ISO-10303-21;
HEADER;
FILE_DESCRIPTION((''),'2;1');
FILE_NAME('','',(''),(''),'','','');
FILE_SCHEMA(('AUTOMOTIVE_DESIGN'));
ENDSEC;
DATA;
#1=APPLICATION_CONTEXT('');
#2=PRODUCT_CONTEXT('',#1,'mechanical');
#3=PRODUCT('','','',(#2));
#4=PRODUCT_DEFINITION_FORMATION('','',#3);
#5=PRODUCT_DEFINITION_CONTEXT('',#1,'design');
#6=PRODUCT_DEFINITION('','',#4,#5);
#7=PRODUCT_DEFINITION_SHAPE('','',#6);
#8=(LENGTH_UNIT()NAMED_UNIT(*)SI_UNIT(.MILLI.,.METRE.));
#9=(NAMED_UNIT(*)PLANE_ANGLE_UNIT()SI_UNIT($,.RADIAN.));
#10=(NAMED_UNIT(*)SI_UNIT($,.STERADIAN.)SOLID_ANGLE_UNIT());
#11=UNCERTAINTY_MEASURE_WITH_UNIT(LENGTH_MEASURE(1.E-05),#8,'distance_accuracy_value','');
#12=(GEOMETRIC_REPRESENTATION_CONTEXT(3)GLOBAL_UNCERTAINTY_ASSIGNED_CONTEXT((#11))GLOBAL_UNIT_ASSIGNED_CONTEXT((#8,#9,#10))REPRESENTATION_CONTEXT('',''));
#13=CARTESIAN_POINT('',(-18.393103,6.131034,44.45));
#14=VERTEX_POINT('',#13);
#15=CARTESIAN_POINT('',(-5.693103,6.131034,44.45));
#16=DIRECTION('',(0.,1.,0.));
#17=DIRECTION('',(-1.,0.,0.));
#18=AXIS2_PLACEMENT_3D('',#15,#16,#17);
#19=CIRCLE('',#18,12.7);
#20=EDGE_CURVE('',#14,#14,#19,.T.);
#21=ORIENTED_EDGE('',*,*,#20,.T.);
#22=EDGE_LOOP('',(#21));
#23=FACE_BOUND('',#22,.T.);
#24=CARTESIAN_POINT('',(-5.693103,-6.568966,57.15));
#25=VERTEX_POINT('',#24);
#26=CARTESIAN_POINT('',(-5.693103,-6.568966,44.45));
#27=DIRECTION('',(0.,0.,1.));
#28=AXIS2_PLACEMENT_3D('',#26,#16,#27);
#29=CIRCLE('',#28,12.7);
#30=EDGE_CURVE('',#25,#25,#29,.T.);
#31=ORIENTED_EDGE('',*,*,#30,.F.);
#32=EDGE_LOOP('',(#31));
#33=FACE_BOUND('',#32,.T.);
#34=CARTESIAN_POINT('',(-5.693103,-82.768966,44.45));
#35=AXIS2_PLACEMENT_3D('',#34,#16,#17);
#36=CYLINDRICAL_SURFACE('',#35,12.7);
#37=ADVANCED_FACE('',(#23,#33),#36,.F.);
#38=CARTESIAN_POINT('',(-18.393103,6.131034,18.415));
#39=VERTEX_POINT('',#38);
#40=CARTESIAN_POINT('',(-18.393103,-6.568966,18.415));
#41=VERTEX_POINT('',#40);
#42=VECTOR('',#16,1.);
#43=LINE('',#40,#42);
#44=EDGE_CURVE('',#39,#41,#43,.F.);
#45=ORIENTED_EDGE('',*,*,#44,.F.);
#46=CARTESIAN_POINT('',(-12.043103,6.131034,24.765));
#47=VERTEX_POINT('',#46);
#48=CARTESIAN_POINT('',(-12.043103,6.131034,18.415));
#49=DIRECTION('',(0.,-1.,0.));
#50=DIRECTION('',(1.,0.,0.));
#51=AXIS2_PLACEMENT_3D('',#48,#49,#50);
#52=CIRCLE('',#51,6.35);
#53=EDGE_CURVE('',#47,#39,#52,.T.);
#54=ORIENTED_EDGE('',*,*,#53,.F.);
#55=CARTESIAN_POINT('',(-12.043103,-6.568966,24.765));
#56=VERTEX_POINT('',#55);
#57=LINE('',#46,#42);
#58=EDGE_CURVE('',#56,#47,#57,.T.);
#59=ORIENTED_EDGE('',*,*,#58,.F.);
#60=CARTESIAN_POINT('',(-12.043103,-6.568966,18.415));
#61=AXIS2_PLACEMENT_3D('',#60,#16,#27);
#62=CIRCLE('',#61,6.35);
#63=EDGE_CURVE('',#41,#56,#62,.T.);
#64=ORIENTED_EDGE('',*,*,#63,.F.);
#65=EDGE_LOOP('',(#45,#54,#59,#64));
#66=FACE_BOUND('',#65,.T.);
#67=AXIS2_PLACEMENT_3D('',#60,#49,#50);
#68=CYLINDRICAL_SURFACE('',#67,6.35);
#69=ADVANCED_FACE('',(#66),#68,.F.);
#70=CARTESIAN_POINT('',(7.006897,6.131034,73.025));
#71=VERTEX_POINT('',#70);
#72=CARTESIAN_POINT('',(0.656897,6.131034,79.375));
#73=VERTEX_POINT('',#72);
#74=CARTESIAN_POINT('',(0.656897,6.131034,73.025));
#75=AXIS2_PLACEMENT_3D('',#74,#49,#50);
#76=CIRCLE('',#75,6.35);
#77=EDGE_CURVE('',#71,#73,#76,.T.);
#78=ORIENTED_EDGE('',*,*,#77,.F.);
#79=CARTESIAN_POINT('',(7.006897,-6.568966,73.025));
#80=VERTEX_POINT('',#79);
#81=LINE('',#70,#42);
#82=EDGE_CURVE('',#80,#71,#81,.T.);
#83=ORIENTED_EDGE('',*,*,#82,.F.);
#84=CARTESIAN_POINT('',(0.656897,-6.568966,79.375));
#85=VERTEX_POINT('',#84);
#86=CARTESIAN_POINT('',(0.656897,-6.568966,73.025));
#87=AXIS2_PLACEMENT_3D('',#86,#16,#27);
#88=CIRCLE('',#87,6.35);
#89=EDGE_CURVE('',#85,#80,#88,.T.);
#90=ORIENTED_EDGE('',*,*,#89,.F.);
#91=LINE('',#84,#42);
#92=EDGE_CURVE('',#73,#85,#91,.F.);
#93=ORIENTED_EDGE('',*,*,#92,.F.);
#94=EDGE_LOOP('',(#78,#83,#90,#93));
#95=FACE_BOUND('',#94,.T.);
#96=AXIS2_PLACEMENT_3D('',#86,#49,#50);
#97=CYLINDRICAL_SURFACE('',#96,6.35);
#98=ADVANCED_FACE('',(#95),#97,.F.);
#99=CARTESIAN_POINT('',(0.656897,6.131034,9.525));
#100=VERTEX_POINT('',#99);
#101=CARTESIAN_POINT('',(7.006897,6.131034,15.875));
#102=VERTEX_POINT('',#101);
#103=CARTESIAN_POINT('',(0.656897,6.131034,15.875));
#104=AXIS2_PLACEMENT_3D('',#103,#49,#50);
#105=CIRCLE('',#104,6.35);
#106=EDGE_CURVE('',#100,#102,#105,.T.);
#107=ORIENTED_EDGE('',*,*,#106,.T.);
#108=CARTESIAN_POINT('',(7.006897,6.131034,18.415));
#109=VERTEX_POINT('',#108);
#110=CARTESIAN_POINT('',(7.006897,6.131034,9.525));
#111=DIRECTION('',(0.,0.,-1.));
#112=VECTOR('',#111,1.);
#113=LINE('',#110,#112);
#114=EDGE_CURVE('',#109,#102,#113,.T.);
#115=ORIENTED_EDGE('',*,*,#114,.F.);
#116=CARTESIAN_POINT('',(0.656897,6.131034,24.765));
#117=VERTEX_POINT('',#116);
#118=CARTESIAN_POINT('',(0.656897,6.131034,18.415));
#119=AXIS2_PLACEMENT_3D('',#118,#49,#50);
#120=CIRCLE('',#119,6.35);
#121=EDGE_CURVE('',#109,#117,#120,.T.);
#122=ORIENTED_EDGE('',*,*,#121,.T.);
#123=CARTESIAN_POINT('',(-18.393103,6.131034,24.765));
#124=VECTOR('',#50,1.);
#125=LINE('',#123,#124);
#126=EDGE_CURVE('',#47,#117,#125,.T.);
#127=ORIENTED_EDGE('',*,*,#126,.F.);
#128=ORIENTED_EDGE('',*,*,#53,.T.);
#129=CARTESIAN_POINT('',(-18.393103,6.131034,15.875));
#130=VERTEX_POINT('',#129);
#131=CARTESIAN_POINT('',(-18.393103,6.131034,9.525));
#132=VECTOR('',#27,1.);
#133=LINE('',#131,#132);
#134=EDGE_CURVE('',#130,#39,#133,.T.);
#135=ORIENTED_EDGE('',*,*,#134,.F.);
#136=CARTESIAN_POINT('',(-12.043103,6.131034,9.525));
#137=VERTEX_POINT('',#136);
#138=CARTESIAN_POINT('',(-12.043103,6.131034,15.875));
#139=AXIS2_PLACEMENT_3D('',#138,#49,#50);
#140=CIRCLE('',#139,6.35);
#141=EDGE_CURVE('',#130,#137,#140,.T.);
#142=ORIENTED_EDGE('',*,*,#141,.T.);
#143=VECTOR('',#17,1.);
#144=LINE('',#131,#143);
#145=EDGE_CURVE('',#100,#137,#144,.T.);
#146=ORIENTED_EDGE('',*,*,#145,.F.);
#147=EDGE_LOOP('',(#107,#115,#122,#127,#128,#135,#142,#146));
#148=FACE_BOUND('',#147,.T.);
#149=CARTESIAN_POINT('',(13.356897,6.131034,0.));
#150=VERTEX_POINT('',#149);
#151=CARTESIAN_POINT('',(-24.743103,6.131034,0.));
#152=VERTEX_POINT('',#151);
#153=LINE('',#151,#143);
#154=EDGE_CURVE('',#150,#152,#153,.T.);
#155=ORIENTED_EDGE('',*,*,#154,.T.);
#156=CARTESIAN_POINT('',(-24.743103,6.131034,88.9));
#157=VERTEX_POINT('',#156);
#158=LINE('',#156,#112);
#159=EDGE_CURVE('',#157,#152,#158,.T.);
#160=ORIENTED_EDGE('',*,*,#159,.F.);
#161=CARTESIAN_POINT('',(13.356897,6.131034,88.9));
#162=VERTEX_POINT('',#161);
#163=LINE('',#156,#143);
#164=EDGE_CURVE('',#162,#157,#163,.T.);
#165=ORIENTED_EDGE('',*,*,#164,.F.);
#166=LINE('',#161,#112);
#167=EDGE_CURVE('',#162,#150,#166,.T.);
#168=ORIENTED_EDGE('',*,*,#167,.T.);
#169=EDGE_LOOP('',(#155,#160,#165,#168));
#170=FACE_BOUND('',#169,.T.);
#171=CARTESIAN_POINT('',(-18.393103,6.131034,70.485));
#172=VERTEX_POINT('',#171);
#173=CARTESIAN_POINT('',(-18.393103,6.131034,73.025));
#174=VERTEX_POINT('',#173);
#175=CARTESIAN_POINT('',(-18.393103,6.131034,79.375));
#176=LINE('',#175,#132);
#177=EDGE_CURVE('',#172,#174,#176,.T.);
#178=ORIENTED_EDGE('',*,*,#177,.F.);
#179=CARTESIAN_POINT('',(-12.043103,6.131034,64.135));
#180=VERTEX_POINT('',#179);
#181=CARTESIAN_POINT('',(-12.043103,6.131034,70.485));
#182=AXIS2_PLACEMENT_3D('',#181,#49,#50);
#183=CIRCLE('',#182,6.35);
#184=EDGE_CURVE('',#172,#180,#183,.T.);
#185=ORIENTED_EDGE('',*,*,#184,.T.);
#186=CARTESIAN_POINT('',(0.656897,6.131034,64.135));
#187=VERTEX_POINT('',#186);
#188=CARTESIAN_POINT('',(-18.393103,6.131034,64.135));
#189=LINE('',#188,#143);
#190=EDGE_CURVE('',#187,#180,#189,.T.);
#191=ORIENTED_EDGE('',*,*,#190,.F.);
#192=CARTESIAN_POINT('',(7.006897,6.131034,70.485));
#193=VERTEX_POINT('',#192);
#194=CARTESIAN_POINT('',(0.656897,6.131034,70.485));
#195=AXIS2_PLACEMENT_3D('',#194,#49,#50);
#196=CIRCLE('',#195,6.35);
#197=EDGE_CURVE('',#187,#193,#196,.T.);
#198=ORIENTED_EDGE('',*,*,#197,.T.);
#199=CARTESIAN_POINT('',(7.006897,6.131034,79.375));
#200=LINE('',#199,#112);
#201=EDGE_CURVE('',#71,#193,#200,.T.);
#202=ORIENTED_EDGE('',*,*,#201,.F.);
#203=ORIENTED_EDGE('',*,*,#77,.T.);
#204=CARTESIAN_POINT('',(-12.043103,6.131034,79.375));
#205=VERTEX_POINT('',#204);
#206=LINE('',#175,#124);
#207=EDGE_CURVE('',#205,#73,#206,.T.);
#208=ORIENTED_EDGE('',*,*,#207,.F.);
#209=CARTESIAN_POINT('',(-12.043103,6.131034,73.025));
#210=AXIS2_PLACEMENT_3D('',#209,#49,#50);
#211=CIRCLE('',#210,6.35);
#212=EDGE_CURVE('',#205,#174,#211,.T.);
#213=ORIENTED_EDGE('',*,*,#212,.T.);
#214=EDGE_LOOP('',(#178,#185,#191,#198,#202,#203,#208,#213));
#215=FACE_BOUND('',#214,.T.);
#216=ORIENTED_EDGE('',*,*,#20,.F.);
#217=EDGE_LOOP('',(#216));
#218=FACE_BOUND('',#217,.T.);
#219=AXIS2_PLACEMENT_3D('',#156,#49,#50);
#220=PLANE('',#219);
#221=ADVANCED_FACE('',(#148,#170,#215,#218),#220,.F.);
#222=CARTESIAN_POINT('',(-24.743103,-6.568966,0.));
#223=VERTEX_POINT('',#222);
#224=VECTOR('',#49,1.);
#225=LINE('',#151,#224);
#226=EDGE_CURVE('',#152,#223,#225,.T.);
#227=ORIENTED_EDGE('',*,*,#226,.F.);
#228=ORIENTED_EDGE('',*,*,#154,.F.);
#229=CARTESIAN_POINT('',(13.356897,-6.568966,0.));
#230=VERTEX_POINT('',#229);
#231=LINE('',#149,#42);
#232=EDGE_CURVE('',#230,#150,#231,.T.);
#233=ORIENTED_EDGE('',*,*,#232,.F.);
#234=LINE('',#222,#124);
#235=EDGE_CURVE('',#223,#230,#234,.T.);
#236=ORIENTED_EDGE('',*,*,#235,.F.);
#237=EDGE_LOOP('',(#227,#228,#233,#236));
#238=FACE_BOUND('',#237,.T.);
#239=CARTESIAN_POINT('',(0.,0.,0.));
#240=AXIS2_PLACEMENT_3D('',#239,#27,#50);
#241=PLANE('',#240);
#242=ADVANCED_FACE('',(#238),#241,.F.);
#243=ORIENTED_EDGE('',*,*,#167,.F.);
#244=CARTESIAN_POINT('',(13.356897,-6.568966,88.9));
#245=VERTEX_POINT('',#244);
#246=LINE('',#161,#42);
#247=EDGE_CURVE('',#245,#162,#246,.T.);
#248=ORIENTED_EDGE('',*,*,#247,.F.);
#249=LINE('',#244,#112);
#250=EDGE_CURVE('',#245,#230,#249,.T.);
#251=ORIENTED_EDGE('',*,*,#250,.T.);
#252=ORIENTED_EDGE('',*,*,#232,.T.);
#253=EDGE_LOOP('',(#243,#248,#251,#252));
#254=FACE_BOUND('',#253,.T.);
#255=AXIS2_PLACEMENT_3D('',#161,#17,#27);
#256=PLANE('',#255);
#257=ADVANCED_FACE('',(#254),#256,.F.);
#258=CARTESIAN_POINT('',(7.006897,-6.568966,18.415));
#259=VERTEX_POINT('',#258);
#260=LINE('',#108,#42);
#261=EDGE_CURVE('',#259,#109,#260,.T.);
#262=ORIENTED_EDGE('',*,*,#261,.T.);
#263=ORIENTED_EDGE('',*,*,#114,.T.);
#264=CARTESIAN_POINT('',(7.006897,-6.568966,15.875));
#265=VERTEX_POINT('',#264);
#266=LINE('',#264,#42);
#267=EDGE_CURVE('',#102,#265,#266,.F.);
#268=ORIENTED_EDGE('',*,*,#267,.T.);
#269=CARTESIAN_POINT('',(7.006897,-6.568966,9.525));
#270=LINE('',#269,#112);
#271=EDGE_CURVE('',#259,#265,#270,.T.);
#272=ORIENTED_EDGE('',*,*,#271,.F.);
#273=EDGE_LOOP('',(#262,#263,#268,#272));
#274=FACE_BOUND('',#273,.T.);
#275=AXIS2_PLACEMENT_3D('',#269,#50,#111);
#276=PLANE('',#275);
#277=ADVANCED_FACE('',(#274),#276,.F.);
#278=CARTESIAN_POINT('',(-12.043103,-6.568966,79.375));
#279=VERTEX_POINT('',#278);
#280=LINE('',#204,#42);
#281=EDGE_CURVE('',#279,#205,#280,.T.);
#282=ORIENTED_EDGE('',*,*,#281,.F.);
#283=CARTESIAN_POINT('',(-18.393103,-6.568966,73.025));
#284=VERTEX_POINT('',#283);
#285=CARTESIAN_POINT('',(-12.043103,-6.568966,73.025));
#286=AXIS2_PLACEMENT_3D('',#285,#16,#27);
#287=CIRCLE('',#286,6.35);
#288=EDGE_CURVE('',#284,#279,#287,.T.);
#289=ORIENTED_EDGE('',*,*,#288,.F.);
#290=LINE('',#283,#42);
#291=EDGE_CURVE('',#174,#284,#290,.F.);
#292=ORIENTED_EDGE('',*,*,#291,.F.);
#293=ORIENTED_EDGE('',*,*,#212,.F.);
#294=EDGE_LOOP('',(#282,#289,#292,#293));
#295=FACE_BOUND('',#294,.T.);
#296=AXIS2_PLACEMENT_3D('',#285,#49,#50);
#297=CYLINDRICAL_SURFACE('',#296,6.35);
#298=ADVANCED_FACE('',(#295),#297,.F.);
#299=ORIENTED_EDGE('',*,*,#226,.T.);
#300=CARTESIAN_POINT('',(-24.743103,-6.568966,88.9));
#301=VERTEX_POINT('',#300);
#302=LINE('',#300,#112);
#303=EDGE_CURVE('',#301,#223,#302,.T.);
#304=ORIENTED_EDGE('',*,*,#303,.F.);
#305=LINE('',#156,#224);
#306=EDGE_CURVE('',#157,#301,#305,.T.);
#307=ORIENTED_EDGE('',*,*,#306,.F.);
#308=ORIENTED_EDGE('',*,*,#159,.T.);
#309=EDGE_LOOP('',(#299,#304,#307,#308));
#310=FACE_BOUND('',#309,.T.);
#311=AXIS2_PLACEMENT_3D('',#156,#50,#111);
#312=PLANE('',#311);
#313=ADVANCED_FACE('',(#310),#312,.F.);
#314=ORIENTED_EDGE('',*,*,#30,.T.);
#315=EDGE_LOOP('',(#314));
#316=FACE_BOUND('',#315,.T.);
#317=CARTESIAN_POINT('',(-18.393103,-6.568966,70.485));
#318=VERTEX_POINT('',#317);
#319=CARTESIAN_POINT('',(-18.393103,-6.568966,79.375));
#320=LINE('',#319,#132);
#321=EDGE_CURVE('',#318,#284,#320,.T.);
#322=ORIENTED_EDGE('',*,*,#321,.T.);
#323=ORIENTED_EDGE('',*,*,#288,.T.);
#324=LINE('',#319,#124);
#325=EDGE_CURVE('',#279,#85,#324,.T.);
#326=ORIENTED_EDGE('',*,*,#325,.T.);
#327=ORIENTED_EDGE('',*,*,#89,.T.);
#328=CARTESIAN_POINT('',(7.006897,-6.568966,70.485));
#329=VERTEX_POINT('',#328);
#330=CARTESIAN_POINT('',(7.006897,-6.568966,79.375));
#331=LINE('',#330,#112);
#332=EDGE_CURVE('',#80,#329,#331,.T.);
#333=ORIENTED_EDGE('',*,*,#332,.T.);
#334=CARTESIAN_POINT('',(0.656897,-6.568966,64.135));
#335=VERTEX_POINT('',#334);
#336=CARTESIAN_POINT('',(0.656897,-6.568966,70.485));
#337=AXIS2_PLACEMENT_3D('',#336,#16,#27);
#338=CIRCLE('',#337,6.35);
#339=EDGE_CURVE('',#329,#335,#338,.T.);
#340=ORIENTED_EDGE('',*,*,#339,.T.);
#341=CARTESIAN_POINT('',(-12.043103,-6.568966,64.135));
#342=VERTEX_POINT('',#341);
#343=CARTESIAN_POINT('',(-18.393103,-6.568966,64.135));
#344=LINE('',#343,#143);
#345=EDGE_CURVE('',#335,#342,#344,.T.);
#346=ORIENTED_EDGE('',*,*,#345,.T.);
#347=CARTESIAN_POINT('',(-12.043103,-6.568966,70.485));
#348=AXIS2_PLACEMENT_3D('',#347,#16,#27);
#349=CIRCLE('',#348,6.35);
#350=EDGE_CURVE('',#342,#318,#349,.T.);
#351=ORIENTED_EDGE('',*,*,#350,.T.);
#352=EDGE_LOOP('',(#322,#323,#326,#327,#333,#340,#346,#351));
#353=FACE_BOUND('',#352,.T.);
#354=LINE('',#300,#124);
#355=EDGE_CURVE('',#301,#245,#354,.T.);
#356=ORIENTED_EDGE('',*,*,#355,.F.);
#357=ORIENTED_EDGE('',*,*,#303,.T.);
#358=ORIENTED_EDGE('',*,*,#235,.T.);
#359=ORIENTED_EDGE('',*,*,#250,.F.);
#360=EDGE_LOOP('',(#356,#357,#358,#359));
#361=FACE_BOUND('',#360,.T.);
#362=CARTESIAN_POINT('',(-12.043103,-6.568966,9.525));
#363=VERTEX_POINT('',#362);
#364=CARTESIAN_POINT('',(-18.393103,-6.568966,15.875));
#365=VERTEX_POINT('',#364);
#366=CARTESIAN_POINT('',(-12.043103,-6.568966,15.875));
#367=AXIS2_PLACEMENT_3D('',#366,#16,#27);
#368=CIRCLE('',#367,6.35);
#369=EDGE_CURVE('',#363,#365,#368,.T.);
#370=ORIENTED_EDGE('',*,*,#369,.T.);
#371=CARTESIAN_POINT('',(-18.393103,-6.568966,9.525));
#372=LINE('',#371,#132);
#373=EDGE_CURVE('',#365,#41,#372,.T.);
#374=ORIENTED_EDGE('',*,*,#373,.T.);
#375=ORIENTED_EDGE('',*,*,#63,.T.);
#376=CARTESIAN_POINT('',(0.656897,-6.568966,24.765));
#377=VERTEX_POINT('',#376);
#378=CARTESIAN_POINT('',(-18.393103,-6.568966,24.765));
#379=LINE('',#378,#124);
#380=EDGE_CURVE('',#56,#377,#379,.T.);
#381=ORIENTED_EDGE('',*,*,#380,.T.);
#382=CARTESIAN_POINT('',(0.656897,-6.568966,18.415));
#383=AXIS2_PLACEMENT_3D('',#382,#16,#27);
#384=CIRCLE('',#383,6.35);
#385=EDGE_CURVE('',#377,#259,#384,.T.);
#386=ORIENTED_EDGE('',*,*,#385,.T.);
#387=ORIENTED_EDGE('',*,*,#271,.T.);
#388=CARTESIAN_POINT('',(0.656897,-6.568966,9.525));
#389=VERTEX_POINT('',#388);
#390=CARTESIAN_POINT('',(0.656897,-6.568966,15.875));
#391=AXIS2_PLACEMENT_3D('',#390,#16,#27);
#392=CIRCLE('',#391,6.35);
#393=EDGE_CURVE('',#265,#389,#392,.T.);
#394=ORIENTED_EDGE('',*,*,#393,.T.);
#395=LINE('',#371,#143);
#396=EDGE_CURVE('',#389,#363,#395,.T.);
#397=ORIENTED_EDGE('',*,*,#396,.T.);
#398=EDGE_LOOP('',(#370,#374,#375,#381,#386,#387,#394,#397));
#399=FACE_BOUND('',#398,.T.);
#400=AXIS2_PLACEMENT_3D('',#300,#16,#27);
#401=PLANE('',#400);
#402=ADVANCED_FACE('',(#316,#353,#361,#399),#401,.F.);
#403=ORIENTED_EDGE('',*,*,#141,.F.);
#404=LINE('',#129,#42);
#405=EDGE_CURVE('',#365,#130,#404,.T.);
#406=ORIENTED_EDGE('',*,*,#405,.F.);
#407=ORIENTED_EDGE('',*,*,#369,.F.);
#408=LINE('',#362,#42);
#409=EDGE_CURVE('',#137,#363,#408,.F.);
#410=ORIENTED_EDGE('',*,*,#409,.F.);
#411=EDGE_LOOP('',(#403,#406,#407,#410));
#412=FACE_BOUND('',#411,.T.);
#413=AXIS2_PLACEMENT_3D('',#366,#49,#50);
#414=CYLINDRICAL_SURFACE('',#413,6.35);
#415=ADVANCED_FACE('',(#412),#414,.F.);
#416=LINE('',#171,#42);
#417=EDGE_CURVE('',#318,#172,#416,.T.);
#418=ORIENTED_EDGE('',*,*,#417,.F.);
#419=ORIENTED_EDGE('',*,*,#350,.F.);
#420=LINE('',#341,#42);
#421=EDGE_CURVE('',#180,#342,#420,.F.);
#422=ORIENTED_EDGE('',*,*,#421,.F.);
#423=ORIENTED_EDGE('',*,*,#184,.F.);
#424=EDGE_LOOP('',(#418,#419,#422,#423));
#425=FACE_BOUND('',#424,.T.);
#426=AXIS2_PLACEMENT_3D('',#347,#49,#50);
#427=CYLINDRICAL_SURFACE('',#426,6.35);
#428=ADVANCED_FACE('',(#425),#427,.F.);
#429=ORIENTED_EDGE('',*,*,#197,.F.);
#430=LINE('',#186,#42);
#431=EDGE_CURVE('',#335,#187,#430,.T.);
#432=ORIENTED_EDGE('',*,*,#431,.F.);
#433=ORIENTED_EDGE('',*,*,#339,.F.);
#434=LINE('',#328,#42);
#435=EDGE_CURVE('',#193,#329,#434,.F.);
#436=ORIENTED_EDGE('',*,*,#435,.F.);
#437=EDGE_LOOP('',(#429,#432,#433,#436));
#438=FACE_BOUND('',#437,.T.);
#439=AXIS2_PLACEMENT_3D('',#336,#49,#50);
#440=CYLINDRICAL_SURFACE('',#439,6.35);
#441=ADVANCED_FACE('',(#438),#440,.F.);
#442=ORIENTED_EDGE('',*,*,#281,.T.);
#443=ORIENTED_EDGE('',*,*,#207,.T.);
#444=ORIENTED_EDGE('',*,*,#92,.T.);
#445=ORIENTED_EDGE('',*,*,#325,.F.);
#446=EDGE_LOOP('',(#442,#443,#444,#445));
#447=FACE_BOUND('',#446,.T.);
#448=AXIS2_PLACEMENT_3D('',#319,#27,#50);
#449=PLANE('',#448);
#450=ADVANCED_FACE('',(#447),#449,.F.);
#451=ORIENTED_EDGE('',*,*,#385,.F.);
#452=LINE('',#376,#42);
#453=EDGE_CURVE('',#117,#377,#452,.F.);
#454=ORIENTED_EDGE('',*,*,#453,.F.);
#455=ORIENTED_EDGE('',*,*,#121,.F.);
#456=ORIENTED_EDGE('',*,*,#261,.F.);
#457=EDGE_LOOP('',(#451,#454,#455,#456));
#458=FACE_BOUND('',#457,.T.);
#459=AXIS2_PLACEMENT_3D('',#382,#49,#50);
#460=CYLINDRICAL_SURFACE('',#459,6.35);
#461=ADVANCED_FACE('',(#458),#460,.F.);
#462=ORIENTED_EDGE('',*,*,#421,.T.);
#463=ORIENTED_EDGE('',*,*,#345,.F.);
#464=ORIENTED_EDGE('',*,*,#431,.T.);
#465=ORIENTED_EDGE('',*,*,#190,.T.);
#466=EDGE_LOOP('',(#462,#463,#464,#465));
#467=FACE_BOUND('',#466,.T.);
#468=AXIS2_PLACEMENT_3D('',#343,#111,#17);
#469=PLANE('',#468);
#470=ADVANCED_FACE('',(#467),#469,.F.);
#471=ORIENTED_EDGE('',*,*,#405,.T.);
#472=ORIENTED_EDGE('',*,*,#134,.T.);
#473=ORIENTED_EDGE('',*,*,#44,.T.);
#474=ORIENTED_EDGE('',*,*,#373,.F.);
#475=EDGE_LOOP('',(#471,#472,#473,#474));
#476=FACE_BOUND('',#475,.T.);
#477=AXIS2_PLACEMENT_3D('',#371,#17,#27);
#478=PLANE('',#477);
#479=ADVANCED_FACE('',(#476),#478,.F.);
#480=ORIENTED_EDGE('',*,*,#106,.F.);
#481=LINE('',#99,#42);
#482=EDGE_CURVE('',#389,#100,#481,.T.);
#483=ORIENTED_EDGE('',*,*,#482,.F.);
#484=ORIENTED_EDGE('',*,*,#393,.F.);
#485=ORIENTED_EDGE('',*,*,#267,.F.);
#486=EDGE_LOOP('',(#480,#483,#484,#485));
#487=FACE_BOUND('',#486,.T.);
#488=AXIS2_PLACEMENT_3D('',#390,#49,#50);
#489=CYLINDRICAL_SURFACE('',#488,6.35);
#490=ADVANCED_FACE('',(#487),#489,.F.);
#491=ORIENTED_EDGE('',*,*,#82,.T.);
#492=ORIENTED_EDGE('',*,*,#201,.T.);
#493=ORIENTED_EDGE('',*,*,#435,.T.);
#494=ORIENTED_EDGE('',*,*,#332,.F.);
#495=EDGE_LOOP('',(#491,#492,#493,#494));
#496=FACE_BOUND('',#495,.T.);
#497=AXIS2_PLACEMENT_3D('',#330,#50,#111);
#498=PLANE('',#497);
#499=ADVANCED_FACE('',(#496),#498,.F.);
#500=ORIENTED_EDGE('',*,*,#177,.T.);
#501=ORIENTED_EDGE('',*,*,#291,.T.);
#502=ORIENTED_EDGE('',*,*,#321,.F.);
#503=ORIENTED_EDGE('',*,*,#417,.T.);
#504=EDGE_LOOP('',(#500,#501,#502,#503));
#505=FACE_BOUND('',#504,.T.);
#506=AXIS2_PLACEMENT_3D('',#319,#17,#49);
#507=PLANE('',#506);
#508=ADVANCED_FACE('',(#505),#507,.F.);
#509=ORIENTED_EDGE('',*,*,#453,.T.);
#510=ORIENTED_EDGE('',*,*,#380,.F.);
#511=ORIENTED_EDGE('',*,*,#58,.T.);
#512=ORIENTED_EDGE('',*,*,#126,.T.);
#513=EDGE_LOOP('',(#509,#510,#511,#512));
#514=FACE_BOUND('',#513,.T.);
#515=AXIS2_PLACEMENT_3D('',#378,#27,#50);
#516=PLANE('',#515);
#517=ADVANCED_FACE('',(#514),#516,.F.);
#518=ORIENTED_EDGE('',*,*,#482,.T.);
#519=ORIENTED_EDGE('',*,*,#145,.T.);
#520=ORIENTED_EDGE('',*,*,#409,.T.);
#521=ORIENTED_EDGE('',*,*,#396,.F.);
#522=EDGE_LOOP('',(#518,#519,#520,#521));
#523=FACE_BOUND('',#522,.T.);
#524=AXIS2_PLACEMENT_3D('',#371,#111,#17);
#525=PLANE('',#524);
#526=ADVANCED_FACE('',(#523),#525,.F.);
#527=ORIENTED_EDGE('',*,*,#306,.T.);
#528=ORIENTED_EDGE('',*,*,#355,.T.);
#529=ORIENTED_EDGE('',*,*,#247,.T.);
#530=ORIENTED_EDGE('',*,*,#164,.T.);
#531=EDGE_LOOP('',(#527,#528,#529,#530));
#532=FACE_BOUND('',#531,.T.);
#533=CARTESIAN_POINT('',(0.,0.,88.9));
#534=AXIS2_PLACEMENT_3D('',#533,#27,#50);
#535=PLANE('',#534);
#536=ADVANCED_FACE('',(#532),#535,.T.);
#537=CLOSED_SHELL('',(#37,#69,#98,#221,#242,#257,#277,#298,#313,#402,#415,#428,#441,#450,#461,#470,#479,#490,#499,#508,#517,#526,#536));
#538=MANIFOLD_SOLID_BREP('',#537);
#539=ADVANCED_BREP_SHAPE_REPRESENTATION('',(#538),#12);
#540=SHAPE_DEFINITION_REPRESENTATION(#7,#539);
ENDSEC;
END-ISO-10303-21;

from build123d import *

# Parameters (mm, degrees)
SKETCH1_W           = 38.1
SKETCH1_H           = 12.7
BOSS_EXTRUDE1_DEPTH = 88.9
SKETCH2_R           = 12.7
CUT_EXTRUDE1_DEPTH  = 88.9
SKETCH3_W           = 25.4
SKETCH3_H           = 15.24
CUT_EXTRUDE2_DEPTH  = 12.7
FILLET1_R           = 6.35


with BuildPart() as part:
    # Sketch1 → Boss-Extrude1 (new body)
    with BuildSketch(Plane.XY):
        with Locations((-5.693103448, -0.218965517)):
            Rectangle(SKETCH1_W, SKETCH1_H)
    extrude(amount=BOSS_EXTRUDE1_DEPTH)

    # Sketch2 → Cut-Extrude1 (cut)
    with BuildSketch(Plane(origin=(0, 6.131034483, 0), x_dir=(1, 0, 0), z_dir=(0, 1, 0))):
        with Locations(Location((-5.693103448, -44.45, 0), (0, 0, 180))):
            Circle(SKETCH2_R)
    extrude(amount=-CUT_EXTRUDE1_DEPTH, mode=Mode.SUBTRACT)

    # Sketch3 → Cut-Extrude2 (cut)
    with BuildSketch(Plane(origin=(0, 6.131034483, 0), x_dir=(1, 0, 0), z_dir=(0, 1, 0))):
        with Locations((-5.693103448, -17.145)):
            Rectangle(SKETCH3_W, SKETCH3_H)
        with Locations((-5.693103448, -71.755)):
            Rectangle(SKETCH3_W, SKETCH3_H)
    extrude(amount=-CUT_EXTRUDE2_DEPTH, mode=Mode.SUBTRACT)

    # Fillet1
    fillet1_edges = [part.edges().sort_by_distance(p)[0] for p in [
        (-18.393103448, -0.218965517, 24.765),
        (-18.393103448, -0.218965517, 9.525),
        (7.006896552, -0.218965517, 9.525),
        (7.006896552, -0.218965517, 24.765),
        (-18.393103448, -0.218965517, 79.375),
        (-18.393103448, -0.218965517, 64.135),
        (7.006896552, -0.218965517, 64.135),
        (7.006896552, -0.218965517, 79.375),
    ]]
    fillet(fillet1_edges, radius=FILLET1_R)


solid = part.part
